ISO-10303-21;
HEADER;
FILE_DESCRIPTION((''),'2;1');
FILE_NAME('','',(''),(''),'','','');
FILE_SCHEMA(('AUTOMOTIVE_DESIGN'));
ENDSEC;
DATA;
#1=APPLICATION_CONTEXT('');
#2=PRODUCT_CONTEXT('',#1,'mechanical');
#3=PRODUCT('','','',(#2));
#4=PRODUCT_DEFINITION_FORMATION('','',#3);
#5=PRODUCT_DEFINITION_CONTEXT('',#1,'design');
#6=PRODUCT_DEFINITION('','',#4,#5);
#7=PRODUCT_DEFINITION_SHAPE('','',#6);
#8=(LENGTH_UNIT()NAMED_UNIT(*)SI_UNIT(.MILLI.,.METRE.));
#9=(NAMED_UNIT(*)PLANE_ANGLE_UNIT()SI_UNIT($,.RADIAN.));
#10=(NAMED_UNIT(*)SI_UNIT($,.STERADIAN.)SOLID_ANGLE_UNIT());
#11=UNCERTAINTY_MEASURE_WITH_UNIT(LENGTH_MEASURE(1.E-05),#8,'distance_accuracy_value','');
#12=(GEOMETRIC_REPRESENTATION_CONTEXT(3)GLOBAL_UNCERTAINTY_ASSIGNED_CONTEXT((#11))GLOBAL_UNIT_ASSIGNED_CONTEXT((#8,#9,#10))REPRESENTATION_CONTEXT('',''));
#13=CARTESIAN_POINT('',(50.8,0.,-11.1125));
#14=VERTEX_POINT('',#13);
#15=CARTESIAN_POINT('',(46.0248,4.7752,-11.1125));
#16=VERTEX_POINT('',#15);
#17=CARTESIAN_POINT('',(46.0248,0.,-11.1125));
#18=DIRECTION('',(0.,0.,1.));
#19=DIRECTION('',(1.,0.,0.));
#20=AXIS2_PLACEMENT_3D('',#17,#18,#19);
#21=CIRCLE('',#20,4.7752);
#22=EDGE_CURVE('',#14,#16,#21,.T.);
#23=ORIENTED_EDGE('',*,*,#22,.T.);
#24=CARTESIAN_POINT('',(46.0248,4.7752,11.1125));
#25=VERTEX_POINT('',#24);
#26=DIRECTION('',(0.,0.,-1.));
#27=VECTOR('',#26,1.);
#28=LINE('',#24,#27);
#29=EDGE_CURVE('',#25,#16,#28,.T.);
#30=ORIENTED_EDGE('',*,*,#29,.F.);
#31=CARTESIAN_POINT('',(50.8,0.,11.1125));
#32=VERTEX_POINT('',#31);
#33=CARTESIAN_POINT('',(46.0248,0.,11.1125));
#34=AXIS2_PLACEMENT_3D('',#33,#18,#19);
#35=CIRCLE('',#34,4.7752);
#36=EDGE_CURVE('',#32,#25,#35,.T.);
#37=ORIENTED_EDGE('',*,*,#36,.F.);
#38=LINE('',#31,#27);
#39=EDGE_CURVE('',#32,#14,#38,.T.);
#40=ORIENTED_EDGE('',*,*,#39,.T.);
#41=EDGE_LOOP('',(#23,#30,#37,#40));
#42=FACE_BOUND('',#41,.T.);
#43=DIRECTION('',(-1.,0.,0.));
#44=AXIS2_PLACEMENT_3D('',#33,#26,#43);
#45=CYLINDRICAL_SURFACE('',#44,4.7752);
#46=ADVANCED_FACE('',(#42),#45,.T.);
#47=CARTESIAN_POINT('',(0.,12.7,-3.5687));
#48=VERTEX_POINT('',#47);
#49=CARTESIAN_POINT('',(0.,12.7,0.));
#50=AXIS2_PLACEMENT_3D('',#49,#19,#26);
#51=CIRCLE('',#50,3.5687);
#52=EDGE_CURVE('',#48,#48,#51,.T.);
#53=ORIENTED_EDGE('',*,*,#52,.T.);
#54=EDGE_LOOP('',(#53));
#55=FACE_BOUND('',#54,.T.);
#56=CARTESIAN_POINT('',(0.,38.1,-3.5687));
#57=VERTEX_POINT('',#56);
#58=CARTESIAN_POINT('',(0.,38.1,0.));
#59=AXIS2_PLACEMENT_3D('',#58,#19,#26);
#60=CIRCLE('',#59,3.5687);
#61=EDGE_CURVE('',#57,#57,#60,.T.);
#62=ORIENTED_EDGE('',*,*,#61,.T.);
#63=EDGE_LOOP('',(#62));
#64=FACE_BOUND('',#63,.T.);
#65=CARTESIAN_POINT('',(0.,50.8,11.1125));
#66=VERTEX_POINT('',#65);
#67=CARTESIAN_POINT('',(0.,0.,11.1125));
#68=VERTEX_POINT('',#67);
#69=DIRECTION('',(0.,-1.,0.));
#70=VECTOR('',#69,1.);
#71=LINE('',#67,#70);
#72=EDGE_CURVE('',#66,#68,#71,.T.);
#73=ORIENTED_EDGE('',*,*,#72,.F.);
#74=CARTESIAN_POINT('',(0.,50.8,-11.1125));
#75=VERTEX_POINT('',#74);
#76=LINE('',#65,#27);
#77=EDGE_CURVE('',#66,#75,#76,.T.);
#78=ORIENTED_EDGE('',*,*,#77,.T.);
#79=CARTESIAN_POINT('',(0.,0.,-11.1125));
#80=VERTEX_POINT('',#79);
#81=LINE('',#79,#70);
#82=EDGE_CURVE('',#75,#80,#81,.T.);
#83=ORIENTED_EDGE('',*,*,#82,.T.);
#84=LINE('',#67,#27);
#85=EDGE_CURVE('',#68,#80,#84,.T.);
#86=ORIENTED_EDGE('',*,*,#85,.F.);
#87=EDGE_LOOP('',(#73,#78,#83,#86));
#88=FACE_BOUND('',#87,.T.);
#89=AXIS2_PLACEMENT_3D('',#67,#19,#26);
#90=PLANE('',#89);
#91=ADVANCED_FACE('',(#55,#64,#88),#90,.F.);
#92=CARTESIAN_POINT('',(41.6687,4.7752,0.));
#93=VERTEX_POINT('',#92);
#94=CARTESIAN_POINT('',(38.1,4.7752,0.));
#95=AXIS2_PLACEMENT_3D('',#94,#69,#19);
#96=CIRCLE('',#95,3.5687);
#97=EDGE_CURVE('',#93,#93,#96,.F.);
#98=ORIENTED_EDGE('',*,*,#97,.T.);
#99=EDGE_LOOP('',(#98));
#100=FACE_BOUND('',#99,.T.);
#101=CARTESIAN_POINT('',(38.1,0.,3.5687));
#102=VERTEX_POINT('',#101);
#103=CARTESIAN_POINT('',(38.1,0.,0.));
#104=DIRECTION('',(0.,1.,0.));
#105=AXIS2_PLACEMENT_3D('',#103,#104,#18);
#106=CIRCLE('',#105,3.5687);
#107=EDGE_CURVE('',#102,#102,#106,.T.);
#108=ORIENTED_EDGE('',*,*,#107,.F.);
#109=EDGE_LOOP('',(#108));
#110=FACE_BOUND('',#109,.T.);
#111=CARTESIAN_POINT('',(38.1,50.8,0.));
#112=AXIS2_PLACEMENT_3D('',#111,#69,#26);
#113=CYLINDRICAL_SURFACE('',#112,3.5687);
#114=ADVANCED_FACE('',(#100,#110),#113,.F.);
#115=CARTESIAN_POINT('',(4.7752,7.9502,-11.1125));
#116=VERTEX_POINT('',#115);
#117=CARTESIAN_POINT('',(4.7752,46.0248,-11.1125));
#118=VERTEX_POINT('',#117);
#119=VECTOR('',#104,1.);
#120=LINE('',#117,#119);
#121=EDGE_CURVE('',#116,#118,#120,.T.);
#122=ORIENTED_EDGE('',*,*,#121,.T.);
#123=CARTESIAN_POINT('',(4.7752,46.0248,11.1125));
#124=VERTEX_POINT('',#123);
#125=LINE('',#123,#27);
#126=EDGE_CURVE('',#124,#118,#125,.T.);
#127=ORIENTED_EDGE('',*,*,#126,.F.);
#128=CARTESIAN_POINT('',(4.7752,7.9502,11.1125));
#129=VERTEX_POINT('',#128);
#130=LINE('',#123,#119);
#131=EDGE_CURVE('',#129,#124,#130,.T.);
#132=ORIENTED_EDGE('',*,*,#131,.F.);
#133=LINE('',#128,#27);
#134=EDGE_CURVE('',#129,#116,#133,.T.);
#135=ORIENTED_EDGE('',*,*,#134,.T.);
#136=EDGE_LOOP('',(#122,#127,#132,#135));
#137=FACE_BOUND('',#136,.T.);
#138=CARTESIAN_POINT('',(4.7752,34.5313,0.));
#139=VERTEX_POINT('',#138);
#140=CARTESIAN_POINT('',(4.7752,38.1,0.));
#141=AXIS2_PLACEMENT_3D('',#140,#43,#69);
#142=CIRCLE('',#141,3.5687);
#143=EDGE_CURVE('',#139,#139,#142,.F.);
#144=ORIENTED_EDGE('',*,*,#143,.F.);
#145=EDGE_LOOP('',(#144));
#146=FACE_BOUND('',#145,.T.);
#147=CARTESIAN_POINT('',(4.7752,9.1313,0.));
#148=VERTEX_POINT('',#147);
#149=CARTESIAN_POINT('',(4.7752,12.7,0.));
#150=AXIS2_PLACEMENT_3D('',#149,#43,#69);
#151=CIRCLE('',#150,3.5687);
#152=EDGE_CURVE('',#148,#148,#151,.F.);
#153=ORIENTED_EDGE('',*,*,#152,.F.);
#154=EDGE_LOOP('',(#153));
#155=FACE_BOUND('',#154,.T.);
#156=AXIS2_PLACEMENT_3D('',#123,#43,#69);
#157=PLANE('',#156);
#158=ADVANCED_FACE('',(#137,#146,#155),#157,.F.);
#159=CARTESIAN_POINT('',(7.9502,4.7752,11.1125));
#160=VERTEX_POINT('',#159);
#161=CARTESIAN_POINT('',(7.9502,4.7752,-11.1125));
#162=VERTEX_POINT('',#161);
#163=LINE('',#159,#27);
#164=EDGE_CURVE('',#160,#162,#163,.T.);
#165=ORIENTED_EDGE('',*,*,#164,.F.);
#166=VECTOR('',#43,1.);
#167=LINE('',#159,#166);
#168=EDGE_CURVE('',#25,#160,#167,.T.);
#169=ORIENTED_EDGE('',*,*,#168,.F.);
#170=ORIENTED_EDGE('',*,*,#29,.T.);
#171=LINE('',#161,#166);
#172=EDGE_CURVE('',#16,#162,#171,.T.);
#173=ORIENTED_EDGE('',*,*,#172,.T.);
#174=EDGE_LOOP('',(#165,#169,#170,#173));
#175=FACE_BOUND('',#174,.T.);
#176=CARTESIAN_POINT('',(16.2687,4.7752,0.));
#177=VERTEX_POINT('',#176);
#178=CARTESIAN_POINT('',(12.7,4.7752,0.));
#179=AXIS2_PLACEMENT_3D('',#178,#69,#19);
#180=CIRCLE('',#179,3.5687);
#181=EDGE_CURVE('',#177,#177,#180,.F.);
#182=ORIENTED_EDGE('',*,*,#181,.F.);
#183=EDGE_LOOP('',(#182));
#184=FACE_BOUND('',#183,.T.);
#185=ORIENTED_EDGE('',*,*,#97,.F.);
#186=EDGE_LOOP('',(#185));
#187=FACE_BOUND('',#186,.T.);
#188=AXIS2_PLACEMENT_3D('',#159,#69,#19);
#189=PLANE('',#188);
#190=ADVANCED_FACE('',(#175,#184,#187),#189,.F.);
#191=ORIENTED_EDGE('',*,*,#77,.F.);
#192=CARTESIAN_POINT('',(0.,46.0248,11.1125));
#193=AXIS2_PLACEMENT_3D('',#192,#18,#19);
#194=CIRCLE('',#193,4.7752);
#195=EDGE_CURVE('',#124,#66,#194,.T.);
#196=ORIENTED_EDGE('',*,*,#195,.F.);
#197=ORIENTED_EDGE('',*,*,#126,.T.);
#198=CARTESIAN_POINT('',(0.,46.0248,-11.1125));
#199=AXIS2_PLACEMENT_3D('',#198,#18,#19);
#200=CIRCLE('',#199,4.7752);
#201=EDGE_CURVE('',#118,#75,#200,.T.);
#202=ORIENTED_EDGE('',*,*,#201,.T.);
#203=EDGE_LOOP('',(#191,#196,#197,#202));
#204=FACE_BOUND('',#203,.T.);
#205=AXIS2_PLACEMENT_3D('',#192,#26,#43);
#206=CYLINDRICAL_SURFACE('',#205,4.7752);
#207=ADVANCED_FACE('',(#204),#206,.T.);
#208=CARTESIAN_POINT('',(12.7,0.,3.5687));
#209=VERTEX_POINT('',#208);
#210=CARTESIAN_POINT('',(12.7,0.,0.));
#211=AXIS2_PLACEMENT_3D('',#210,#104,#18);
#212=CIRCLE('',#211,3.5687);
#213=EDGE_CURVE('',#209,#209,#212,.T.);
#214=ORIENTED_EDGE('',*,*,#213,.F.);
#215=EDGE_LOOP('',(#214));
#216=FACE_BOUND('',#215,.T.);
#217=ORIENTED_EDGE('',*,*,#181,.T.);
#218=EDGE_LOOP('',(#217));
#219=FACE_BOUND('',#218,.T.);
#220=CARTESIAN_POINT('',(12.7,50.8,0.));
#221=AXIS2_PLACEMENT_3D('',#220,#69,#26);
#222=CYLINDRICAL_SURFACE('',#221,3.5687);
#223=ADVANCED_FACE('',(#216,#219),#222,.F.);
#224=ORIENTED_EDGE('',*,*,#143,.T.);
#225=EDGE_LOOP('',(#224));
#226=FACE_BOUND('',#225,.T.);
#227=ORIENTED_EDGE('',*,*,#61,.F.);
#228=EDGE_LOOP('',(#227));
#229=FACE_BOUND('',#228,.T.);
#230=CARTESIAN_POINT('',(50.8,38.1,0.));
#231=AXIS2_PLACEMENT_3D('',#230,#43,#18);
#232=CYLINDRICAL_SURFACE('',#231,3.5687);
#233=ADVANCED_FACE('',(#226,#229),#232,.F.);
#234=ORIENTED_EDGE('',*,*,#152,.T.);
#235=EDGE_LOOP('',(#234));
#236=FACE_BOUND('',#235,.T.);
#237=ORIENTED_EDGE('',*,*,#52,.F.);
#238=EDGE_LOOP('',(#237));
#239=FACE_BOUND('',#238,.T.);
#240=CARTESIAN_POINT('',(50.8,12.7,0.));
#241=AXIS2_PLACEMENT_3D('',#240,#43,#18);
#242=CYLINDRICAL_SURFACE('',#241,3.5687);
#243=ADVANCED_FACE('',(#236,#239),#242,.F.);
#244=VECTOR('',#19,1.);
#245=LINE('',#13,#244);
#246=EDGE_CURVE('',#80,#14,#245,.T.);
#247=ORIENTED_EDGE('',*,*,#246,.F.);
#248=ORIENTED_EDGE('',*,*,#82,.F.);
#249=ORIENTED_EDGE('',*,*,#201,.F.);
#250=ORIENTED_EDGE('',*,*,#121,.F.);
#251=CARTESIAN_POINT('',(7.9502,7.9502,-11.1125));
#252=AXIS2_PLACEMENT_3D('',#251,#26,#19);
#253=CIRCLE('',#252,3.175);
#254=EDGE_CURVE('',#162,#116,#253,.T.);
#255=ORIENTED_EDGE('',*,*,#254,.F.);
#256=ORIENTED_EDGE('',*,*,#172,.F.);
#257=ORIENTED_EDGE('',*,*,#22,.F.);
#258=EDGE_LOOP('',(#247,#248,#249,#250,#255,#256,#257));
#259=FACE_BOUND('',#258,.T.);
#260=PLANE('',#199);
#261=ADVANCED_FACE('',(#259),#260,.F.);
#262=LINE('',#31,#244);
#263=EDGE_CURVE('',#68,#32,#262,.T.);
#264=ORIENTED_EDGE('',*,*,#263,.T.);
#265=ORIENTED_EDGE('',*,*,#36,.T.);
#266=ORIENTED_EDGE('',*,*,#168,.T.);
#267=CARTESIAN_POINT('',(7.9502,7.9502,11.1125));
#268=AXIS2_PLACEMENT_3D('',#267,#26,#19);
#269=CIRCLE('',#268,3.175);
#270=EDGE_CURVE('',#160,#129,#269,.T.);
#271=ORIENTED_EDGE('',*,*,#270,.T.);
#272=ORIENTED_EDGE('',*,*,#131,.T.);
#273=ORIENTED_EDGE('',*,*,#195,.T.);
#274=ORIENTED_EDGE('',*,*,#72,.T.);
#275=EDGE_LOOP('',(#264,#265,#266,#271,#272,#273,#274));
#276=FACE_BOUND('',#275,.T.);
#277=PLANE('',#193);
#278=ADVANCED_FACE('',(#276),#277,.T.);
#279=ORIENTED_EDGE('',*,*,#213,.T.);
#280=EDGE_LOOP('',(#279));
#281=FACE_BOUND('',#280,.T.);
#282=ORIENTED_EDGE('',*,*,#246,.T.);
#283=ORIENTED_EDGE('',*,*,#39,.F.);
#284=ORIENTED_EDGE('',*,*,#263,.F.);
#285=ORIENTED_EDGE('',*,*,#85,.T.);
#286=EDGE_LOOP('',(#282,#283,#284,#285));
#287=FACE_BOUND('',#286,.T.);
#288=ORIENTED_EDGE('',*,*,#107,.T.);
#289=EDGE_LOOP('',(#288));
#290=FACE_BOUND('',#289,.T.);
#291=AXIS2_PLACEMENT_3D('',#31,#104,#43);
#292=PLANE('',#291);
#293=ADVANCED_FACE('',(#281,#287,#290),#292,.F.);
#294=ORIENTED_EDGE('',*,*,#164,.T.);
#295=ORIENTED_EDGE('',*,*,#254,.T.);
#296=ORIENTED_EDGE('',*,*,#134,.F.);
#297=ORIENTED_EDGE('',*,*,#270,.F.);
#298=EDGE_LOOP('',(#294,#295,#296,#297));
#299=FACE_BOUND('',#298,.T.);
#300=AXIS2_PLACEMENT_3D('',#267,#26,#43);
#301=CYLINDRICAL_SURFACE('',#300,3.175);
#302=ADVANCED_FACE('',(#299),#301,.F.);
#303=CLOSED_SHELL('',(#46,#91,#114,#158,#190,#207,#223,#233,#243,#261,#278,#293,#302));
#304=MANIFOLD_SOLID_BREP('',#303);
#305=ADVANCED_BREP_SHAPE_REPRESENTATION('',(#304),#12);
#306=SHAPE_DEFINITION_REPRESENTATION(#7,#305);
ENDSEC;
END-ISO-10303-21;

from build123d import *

# Parameters (mm, degrees)
BOSS_EXTRUDE1_DEPTH = 11.1125
SKETCH2_R           = 3.5687
CUT_EXTRUDE1_DEPTH  = 51.8
SKETCH3_R           = 3.5687
CUT_EXTRUDE2_DEPTH  = 51.8


with BuildPart() as part:
    # Sketch1 → Boss-Extrude1 (new body, symmetric)
    with BuildSketch(Plane.XY):
        with BuildLine():
            Line((0, 0), (0, 50.8))
            ThreePointArc((0, 50.8), (3.376576302, 49.401376302), (4.7752, 46.0248))
            Line((4.7752, 46.0248), (4.7752, 7.9502))
            ThreePointArc((4.7752, 7.9502), (5.70513597, 5.70513597), (7.9502, 4.7752))
            Line((7.9502, 4.7752), (46.0248, 4.7752))
            ThreePointArc((46.0248, 4.7752), (49.401376302, 3.376576302), (50.8, 0))
            Line((50.8, 0), (0, 0))
        make_face()
    extrude(amount=BOSS_EXTRUDE1_DEPTH, both=True)

    # Sketch2 → Cut-Extrude1 (cut, through all)
    with BuildSketch(Plane(origin=(0, 0, 0), x_dir=(1, 0, 0), z_dir=(0, 1, 0))):
        with Locations((12.7, 0)):
            Circle(SKETCH2_R)
        with Locations((38.1, 0)):
            Circle(SKETCH2_R)
    extrude(amount=CUT_EXTRUDE1_DEPTH, mode=Mode.SUBTRACT)

    # Sketch3 → Cut-Extrude2 (cut, through all)
    with BuildSketch(Plane(origin=(0, 0, 0), x_dir=(0, 0, -1), z_dir=(1, 0, 0))):
        with Locations((0, 12.7)):
            Circle(SKETCH3_R)
        with Locations((0, 38.1)):
            Circle(SKETCH3_R)
    extrude(amount=CUT_EXTRUDE2_DEPTH, mode=Mode.SUBTRACT)


solid = part.part
